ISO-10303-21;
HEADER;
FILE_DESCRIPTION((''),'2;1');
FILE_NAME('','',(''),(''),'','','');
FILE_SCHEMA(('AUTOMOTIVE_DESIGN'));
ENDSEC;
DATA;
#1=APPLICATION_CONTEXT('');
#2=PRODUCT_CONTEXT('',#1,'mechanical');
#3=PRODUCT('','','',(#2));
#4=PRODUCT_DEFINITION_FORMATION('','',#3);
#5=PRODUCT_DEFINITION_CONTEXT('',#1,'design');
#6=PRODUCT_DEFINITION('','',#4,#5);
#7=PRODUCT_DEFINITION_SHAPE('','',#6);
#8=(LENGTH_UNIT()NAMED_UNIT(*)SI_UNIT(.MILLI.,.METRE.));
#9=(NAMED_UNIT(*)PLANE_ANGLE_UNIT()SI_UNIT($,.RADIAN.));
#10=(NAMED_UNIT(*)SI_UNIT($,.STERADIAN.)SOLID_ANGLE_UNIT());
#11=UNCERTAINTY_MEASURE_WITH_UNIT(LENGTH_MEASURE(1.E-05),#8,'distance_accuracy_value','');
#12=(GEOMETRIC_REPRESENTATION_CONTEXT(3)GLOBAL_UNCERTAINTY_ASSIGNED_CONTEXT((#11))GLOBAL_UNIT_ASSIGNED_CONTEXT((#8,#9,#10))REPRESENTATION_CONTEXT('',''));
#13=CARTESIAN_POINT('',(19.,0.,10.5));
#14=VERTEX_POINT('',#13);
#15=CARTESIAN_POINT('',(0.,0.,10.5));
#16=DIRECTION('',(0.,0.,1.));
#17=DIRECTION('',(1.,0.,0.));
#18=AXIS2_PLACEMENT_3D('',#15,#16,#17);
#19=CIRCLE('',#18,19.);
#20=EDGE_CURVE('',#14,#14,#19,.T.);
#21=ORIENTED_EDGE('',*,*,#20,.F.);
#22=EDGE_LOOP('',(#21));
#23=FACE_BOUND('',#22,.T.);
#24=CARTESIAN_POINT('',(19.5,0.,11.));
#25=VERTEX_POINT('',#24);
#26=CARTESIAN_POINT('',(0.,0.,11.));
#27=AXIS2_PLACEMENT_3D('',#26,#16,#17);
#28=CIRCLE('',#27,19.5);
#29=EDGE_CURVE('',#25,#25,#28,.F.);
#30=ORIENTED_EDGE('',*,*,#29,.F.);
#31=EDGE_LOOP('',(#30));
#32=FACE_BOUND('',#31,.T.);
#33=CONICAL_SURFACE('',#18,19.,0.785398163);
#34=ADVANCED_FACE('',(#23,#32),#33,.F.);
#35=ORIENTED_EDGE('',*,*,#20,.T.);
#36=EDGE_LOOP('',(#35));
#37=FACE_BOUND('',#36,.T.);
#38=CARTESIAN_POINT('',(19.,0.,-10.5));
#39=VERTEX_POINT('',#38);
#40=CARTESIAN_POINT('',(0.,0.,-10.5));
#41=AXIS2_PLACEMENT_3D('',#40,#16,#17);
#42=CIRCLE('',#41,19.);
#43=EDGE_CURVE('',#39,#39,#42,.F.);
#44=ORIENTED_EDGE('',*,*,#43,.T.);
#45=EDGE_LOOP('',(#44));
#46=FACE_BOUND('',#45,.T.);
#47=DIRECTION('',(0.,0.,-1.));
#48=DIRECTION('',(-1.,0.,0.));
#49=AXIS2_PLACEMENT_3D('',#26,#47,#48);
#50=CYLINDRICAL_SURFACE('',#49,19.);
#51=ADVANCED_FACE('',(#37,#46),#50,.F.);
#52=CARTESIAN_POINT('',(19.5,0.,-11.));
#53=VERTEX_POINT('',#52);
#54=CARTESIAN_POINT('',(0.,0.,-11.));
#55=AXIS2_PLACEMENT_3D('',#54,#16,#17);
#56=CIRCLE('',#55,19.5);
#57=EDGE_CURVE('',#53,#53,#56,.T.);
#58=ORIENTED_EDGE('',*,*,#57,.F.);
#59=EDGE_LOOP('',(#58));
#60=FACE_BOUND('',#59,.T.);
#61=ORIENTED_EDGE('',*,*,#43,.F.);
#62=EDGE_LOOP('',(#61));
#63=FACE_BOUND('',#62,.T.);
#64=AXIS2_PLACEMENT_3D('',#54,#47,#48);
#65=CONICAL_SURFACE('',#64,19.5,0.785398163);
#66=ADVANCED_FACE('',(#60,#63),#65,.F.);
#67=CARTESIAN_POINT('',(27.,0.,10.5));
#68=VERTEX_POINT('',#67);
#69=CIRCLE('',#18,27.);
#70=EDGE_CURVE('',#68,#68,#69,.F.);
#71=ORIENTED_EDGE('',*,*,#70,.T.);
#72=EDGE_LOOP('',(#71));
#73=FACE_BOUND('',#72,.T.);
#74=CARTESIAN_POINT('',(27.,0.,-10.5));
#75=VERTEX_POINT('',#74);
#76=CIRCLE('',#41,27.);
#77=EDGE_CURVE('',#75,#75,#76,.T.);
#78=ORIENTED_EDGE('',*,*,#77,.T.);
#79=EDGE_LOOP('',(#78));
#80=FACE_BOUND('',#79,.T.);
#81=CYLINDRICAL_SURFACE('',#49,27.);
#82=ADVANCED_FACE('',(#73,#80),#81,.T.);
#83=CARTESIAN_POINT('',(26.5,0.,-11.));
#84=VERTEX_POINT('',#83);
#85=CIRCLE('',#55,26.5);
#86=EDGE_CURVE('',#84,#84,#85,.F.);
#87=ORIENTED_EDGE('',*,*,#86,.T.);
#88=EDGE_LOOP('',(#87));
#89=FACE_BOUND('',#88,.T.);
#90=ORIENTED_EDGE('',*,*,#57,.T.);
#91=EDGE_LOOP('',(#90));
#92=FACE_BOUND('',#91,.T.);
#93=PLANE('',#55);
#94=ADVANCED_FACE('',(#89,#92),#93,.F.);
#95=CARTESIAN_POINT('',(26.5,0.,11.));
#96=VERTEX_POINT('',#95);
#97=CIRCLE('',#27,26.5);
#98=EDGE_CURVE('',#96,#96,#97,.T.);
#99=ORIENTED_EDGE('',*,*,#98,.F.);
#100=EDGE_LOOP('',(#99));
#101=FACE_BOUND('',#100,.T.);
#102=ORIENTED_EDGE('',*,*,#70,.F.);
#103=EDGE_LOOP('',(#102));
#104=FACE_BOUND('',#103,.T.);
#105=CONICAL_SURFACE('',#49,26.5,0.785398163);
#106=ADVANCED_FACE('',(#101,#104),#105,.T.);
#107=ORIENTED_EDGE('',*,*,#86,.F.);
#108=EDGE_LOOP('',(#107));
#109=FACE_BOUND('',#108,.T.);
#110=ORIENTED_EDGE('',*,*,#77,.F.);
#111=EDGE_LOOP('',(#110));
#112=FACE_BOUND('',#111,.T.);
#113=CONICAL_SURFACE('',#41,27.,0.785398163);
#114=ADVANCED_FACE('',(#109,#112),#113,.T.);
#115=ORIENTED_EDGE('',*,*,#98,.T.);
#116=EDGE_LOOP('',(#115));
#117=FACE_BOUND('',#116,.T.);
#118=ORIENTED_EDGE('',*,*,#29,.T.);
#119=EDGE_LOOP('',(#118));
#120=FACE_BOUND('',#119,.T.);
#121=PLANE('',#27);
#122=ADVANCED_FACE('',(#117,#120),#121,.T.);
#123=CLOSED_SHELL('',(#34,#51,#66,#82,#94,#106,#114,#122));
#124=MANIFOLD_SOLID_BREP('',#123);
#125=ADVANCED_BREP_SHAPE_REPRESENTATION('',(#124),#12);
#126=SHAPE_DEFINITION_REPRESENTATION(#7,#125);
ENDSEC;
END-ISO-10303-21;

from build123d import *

# Parameters (mm, degrees)
SKIZZE1_R                       = 27
SKIZZE1_R_2                     = 19
AUFSATZ_LINEAR_AUSTRAGEN1_DEPTH = 11
FASE1_SIZE                      = 0.5


with BuildPart() as part:
    # Skizze1 → Aufsatz-Linear austragen1 (new, symmetric)
    with BuildSketch(Plane.XY):
        Circle(SKIZZE1_R)
        Circle(SKIZZE1_R_2, mode=Mode.SUBTRACT)
    extrude(amount=AUFSATZ_LINEAR_AUSTRAGEN1_DEPTH, both=True)

    # Fase1
    fase1_edges = [part.edges().sort_by_distance(p)[0] for p in [
        (-27, 0, -11),
        (-27, 0, 11),
        (-19, 0, -11),
        (-19, 0, 11),
    ]]
    chamfer(fase1_edges, length=FASE1_SIZE)


solid = part.part
